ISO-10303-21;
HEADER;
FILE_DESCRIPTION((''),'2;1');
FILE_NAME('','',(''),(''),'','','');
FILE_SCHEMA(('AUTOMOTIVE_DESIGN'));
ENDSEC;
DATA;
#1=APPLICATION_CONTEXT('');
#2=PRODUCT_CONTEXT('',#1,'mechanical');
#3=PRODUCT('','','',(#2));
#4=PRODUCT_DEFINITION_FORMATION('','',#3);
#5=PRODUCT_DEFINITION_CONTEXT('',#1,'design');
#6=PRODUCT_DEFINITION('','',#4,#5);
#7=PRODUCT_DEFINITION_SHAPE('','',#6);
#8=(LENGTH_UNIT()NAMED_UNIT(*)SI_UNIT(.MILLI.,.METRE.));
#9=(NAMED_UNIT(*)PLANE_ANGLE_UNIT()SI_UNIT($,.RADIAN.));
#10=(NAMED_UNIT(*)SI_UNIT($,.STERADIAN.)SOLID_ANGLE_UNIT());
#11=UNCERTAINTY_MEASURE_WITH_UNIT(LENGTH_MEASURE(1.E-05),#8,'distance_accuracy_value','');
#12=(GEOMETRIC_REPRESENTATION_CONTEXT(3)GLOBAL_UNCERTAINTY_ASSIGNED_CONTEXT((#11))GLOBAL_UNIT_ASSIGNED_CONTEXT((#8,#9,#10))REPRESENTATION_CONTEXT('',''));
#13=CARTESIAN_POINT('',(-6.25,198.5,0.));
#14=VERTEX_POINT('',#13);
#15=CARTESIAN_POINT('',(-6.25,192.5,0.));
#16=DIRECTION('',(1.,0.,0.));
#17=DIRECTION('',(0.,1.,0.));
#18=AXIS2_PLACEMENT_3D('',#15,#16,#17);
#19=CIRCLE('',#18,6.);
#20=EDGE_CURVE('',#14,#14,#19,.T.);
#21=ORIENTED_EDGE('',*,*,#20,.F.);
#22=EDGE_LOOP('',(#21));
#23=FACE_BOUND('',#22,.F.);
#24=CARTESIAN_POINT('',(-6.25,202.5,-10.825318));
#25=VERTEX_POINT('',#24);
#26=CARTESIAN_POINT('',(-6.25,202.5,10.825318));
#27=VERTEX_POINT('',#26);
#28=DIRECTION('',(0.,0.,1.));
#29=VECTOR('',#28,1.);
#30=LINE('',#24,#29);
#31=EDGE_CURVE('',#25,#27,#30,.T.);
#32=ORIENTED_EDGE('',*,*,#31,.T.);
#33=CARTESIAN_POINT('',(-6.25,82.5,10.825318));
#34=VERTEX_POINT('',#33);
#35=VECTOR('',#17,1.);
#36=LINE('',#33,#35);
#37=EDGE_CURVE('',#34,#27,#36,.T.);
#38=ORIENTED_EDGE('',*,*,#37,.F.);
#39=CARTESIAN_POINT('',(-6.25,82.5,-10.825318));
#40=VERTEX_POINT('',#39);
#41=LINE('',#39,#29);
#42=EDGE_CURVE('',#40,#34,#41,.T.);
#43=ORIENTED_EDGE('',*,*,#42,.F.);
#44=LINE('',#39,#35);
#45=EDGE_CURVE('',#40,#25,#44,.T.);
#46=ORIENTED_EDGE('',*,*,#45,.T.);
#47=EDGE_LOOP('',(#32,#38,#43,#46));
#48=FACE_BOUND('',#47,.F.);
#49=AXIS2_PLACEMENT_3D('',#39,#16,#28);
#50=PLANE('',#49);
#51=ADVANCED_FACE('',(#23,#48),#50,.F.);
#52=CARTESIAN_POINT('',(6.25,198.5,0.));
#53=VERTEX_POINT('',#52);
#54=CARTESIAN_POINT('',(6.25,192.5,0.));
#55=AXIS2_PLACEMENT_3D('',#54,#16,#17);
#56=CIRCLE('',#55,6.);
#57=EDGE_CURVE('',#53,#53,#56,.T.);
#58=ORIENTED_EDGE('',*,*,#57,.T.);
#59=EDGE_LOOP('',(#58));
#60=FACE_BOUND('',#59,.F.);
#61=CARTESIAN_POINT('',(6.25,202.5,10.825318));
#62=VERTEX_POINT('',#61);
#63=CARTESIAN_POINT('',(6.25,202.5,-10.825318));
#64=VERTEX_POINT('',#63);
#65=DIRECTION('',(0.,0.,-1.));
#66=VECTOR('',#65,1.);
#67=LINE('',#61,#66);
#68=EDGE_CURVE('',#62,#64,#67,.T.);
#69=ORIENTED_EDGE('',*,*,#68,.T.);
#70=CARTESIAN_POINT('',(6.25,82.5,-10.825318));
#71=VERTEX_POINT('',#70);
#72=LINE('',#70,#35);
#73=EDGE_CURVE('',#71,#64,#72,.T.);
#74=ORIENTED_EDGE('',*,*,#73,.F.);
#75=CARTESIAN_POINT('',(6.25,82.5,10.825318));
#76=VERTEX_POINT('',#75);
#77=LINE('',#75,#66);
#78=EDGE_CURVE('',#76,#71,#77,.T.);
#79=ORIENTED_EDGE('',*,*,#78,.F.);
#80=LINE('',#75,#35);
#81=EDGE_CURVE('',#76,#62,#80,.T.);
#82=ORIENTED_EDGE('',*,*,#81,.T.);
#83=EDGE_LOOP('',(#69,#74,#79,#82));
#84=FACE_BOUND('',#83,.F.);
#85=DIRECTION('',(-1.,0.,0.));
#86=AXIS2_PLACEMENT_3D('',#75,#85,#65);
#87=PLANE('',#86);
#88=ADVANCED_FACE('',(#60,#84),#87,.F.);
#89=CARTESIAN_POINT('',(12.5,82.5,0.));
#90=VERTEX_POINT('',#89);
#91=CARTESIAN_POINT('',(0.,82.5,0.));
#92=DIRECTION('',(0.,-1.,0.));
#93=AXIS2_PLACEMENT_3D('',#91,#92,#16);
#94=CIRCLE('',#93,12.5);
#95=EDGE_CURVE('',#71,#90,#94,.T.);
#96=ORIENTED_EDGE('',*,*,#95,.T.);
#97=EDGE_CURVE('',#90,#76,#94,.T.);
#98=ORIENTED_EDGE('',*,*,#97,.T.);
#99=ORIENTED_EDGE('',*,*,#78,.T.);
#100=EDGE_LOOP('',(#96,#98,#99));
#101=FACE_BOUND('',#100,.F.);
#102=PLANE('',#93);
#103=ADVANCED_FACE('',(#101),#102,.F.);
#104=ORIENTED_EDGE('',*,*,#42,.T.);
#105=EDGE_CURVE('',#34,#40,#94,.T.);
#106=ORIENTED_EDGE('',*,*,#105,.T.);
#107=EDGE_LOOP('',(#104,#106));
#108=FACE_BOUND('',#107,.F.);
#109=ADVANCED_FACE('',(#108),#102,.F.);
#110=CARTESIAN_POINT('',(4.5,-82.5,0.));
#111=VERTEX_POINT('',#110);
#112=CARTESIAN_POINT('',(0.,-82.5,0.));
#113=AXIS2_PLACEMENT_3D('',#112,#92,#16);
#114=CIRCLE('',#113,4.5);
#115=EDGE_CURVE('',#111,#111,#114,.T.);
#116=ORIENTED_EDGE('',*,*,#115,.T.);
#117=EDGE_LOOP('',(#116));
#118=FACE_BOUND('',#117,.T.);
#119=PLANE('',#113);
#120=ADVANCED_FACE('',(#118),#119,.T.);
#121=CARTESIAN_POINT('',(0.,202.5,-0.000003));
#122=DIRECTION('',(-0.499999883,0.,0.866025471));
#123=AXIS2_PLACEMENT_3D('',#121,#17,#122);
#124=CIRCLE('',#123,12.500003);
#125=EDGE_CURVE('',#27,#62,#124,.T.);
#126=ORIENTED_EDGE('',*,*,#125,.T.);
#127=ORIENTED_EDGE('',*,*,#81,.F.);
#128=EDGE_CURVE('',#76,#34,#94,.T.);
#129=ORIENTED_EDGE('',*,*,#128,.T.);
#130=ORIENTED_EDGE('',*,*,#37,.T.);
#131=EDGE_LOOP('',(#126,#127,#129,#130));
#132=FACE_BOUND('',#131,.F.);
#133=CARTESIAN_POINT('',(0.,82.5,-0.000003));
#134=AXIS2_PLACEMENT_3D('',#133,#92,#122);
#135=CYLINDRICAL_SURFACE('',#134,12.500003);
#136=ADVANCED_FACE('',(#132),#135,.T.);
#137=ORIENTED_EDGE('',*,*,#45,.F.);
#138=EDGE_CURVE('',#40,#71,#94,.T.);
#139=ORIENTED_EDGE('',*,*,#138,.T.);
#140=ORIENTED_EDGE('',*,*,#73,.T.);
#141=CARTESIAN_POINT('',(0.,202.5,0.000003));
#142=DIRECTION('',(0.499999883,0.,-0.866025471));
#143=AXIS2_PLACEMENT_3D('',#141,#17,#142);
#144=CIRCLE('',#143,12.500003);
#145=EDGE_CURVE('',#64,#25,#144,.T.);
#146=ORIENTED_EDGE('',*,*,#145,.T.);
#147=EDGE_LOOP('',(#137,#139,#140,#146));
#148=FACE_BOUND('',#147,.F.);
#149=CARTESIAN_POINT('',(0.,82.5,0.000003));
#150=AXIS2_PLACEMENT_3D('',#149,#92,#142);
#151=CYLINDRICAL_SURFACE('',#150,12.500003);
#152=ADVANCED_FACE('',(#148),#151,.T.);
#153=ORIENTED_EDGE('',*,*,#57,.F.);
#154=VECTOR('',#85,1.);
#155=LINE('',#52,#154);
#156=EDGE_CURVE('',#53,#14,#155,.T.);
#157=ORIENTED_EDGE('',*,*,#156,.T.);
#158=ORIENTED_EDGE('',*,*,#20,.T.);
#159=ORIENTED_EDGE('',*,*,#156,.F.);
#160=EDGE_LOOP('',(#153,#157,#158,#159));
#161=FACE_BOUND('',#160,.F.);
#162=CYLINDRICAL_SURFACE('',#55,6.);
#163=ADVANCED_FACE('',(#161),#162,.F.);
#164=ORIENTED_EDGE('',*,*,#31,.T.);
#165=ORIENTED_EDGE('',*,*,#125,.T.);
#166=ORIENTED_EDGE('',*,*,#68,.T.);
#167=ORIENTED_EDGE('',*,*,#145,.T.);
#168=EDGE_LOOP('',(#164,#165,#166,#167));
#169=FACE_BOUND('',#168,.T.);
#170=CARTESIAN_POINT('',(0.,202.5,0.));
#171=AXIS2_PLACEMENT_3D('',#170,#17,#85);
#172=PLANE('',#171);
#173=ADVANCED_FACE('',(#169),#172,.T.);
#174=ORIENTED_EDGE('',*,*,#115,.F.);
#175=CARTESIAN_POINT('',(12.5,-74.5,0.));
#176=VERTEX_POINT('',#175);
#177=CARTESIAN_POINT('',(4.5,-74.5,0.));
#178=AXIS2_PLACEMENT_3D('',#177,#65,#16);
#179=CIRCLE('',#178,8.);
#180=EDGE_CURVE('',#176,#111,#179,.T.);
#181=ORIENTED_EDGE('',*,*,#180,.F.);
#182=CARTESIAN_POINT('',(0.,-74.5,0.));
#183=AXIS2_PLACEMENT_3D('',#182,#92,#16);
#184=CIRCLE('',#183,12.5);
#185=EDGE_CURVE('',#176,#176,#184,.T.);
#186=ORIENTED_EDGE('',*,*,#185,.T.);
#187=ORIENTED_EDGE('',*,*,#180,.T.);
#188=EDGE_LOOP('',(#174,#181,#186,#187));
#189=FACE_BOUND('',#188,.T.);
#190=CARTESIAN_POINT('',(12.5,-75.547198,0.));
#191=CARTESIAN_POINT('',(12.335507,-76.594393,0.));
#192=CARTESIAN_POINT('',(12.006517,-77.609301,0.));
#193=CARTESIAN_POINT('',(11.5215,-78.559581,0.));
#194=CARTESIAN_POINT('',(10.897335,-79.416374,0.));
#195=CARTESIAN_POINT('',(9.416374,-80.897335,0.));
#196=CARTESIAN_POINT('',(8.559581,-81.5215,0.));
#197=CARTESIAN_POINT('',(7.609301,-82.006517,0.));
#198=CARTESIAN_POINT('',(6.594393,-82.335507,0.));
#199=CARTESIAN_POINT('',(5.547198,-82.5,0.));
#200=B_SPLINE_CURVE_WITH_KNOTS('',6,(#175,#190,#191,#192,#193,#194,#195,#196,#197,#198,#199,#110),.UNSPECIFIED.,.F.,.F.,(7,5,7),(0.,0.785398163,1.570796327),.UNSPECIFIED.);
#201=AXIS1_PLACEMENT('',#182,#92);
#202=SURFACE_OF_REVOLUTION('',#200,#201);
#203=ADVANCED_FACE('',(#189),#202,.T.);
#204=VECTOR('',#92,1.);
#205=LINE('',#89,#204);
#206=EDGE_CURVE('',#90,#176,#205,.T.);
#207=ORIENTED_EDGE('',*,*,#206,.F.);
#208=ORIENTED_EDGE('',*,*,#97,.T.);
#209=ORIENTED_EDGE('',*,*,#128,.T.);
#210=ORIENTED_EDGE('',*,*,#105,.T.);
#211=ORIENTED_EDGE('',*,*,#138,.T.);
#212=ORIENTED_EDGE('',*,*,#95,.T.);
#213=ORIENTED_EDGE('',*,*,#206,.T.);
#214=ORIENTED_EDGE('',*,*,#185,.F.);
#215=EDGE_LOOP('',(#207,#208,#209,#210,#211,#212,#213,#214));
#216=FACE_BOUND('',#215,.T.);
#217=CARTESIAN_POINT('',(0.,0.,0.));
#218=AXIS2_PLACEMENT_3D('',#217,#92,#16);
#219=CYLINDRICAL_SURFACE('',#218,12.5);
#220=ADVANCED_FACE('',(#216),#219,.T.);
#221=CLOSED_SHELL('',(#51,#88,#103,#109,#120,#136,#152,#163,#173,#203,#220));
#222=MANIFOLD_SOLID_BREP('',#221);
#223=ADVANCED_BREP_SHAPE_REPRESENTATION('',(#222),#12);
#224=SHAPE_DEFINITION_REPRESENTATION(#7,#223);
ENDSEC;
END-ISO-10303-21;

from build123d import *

# Parameters (mm, degrees)
F0_R     = 12.5
F1_DEPTH = 82.5
F3_DEPTH = 120
F4_R     = 8
F5_R     = 6
F6_DEPTH = 25


with BuildPart() as f1:
    # F0 (on Front) → F1 (new body, symmetric)
    with BuildSketch(Plane.XZ):
        Circle(F0_R)
    extrude(amount=F1_DEPTH, both=True)

    # F2 (on face) → F3 (join)
    with BuildSketch(Plane(origin=(0, 82.5, 0), x_dir=(-1, 0, 0), z_dir=(0, 1, 0))):
        with BuildLine():
            Line((6.25, -10.825318), (6.25, 10.825318))
            ThreePointArc((6.25, 10.825318), (0, 12.5), (-6.25, 10.825318))
            Line((-6.25, 10.825318), (-6.25, -10.825318))
            ThreePointArc((-6.25, -10.825318), (0, -12.5), (6.25, -10.825318))
        make_face()
    extrude(amount=F3_DEPTH)

    # F4
    f4_edges = [f1.edges().sort_by_distance(p)[0] for p in [
        (-12.5, -82.5, 0),
    ]]
    fillet(f4_edges, radius=F4_R)

    # F5 (on face) → F6 (cut)
    with BuildSketch(Plane.YZ.offset(6.25)):
        with Locations((192.5, 0)):
            Circle(F5_R)
    extrude(amount=-F6_DEPTH, mode=Mode.SUBTRACT)


solid = f1.part
